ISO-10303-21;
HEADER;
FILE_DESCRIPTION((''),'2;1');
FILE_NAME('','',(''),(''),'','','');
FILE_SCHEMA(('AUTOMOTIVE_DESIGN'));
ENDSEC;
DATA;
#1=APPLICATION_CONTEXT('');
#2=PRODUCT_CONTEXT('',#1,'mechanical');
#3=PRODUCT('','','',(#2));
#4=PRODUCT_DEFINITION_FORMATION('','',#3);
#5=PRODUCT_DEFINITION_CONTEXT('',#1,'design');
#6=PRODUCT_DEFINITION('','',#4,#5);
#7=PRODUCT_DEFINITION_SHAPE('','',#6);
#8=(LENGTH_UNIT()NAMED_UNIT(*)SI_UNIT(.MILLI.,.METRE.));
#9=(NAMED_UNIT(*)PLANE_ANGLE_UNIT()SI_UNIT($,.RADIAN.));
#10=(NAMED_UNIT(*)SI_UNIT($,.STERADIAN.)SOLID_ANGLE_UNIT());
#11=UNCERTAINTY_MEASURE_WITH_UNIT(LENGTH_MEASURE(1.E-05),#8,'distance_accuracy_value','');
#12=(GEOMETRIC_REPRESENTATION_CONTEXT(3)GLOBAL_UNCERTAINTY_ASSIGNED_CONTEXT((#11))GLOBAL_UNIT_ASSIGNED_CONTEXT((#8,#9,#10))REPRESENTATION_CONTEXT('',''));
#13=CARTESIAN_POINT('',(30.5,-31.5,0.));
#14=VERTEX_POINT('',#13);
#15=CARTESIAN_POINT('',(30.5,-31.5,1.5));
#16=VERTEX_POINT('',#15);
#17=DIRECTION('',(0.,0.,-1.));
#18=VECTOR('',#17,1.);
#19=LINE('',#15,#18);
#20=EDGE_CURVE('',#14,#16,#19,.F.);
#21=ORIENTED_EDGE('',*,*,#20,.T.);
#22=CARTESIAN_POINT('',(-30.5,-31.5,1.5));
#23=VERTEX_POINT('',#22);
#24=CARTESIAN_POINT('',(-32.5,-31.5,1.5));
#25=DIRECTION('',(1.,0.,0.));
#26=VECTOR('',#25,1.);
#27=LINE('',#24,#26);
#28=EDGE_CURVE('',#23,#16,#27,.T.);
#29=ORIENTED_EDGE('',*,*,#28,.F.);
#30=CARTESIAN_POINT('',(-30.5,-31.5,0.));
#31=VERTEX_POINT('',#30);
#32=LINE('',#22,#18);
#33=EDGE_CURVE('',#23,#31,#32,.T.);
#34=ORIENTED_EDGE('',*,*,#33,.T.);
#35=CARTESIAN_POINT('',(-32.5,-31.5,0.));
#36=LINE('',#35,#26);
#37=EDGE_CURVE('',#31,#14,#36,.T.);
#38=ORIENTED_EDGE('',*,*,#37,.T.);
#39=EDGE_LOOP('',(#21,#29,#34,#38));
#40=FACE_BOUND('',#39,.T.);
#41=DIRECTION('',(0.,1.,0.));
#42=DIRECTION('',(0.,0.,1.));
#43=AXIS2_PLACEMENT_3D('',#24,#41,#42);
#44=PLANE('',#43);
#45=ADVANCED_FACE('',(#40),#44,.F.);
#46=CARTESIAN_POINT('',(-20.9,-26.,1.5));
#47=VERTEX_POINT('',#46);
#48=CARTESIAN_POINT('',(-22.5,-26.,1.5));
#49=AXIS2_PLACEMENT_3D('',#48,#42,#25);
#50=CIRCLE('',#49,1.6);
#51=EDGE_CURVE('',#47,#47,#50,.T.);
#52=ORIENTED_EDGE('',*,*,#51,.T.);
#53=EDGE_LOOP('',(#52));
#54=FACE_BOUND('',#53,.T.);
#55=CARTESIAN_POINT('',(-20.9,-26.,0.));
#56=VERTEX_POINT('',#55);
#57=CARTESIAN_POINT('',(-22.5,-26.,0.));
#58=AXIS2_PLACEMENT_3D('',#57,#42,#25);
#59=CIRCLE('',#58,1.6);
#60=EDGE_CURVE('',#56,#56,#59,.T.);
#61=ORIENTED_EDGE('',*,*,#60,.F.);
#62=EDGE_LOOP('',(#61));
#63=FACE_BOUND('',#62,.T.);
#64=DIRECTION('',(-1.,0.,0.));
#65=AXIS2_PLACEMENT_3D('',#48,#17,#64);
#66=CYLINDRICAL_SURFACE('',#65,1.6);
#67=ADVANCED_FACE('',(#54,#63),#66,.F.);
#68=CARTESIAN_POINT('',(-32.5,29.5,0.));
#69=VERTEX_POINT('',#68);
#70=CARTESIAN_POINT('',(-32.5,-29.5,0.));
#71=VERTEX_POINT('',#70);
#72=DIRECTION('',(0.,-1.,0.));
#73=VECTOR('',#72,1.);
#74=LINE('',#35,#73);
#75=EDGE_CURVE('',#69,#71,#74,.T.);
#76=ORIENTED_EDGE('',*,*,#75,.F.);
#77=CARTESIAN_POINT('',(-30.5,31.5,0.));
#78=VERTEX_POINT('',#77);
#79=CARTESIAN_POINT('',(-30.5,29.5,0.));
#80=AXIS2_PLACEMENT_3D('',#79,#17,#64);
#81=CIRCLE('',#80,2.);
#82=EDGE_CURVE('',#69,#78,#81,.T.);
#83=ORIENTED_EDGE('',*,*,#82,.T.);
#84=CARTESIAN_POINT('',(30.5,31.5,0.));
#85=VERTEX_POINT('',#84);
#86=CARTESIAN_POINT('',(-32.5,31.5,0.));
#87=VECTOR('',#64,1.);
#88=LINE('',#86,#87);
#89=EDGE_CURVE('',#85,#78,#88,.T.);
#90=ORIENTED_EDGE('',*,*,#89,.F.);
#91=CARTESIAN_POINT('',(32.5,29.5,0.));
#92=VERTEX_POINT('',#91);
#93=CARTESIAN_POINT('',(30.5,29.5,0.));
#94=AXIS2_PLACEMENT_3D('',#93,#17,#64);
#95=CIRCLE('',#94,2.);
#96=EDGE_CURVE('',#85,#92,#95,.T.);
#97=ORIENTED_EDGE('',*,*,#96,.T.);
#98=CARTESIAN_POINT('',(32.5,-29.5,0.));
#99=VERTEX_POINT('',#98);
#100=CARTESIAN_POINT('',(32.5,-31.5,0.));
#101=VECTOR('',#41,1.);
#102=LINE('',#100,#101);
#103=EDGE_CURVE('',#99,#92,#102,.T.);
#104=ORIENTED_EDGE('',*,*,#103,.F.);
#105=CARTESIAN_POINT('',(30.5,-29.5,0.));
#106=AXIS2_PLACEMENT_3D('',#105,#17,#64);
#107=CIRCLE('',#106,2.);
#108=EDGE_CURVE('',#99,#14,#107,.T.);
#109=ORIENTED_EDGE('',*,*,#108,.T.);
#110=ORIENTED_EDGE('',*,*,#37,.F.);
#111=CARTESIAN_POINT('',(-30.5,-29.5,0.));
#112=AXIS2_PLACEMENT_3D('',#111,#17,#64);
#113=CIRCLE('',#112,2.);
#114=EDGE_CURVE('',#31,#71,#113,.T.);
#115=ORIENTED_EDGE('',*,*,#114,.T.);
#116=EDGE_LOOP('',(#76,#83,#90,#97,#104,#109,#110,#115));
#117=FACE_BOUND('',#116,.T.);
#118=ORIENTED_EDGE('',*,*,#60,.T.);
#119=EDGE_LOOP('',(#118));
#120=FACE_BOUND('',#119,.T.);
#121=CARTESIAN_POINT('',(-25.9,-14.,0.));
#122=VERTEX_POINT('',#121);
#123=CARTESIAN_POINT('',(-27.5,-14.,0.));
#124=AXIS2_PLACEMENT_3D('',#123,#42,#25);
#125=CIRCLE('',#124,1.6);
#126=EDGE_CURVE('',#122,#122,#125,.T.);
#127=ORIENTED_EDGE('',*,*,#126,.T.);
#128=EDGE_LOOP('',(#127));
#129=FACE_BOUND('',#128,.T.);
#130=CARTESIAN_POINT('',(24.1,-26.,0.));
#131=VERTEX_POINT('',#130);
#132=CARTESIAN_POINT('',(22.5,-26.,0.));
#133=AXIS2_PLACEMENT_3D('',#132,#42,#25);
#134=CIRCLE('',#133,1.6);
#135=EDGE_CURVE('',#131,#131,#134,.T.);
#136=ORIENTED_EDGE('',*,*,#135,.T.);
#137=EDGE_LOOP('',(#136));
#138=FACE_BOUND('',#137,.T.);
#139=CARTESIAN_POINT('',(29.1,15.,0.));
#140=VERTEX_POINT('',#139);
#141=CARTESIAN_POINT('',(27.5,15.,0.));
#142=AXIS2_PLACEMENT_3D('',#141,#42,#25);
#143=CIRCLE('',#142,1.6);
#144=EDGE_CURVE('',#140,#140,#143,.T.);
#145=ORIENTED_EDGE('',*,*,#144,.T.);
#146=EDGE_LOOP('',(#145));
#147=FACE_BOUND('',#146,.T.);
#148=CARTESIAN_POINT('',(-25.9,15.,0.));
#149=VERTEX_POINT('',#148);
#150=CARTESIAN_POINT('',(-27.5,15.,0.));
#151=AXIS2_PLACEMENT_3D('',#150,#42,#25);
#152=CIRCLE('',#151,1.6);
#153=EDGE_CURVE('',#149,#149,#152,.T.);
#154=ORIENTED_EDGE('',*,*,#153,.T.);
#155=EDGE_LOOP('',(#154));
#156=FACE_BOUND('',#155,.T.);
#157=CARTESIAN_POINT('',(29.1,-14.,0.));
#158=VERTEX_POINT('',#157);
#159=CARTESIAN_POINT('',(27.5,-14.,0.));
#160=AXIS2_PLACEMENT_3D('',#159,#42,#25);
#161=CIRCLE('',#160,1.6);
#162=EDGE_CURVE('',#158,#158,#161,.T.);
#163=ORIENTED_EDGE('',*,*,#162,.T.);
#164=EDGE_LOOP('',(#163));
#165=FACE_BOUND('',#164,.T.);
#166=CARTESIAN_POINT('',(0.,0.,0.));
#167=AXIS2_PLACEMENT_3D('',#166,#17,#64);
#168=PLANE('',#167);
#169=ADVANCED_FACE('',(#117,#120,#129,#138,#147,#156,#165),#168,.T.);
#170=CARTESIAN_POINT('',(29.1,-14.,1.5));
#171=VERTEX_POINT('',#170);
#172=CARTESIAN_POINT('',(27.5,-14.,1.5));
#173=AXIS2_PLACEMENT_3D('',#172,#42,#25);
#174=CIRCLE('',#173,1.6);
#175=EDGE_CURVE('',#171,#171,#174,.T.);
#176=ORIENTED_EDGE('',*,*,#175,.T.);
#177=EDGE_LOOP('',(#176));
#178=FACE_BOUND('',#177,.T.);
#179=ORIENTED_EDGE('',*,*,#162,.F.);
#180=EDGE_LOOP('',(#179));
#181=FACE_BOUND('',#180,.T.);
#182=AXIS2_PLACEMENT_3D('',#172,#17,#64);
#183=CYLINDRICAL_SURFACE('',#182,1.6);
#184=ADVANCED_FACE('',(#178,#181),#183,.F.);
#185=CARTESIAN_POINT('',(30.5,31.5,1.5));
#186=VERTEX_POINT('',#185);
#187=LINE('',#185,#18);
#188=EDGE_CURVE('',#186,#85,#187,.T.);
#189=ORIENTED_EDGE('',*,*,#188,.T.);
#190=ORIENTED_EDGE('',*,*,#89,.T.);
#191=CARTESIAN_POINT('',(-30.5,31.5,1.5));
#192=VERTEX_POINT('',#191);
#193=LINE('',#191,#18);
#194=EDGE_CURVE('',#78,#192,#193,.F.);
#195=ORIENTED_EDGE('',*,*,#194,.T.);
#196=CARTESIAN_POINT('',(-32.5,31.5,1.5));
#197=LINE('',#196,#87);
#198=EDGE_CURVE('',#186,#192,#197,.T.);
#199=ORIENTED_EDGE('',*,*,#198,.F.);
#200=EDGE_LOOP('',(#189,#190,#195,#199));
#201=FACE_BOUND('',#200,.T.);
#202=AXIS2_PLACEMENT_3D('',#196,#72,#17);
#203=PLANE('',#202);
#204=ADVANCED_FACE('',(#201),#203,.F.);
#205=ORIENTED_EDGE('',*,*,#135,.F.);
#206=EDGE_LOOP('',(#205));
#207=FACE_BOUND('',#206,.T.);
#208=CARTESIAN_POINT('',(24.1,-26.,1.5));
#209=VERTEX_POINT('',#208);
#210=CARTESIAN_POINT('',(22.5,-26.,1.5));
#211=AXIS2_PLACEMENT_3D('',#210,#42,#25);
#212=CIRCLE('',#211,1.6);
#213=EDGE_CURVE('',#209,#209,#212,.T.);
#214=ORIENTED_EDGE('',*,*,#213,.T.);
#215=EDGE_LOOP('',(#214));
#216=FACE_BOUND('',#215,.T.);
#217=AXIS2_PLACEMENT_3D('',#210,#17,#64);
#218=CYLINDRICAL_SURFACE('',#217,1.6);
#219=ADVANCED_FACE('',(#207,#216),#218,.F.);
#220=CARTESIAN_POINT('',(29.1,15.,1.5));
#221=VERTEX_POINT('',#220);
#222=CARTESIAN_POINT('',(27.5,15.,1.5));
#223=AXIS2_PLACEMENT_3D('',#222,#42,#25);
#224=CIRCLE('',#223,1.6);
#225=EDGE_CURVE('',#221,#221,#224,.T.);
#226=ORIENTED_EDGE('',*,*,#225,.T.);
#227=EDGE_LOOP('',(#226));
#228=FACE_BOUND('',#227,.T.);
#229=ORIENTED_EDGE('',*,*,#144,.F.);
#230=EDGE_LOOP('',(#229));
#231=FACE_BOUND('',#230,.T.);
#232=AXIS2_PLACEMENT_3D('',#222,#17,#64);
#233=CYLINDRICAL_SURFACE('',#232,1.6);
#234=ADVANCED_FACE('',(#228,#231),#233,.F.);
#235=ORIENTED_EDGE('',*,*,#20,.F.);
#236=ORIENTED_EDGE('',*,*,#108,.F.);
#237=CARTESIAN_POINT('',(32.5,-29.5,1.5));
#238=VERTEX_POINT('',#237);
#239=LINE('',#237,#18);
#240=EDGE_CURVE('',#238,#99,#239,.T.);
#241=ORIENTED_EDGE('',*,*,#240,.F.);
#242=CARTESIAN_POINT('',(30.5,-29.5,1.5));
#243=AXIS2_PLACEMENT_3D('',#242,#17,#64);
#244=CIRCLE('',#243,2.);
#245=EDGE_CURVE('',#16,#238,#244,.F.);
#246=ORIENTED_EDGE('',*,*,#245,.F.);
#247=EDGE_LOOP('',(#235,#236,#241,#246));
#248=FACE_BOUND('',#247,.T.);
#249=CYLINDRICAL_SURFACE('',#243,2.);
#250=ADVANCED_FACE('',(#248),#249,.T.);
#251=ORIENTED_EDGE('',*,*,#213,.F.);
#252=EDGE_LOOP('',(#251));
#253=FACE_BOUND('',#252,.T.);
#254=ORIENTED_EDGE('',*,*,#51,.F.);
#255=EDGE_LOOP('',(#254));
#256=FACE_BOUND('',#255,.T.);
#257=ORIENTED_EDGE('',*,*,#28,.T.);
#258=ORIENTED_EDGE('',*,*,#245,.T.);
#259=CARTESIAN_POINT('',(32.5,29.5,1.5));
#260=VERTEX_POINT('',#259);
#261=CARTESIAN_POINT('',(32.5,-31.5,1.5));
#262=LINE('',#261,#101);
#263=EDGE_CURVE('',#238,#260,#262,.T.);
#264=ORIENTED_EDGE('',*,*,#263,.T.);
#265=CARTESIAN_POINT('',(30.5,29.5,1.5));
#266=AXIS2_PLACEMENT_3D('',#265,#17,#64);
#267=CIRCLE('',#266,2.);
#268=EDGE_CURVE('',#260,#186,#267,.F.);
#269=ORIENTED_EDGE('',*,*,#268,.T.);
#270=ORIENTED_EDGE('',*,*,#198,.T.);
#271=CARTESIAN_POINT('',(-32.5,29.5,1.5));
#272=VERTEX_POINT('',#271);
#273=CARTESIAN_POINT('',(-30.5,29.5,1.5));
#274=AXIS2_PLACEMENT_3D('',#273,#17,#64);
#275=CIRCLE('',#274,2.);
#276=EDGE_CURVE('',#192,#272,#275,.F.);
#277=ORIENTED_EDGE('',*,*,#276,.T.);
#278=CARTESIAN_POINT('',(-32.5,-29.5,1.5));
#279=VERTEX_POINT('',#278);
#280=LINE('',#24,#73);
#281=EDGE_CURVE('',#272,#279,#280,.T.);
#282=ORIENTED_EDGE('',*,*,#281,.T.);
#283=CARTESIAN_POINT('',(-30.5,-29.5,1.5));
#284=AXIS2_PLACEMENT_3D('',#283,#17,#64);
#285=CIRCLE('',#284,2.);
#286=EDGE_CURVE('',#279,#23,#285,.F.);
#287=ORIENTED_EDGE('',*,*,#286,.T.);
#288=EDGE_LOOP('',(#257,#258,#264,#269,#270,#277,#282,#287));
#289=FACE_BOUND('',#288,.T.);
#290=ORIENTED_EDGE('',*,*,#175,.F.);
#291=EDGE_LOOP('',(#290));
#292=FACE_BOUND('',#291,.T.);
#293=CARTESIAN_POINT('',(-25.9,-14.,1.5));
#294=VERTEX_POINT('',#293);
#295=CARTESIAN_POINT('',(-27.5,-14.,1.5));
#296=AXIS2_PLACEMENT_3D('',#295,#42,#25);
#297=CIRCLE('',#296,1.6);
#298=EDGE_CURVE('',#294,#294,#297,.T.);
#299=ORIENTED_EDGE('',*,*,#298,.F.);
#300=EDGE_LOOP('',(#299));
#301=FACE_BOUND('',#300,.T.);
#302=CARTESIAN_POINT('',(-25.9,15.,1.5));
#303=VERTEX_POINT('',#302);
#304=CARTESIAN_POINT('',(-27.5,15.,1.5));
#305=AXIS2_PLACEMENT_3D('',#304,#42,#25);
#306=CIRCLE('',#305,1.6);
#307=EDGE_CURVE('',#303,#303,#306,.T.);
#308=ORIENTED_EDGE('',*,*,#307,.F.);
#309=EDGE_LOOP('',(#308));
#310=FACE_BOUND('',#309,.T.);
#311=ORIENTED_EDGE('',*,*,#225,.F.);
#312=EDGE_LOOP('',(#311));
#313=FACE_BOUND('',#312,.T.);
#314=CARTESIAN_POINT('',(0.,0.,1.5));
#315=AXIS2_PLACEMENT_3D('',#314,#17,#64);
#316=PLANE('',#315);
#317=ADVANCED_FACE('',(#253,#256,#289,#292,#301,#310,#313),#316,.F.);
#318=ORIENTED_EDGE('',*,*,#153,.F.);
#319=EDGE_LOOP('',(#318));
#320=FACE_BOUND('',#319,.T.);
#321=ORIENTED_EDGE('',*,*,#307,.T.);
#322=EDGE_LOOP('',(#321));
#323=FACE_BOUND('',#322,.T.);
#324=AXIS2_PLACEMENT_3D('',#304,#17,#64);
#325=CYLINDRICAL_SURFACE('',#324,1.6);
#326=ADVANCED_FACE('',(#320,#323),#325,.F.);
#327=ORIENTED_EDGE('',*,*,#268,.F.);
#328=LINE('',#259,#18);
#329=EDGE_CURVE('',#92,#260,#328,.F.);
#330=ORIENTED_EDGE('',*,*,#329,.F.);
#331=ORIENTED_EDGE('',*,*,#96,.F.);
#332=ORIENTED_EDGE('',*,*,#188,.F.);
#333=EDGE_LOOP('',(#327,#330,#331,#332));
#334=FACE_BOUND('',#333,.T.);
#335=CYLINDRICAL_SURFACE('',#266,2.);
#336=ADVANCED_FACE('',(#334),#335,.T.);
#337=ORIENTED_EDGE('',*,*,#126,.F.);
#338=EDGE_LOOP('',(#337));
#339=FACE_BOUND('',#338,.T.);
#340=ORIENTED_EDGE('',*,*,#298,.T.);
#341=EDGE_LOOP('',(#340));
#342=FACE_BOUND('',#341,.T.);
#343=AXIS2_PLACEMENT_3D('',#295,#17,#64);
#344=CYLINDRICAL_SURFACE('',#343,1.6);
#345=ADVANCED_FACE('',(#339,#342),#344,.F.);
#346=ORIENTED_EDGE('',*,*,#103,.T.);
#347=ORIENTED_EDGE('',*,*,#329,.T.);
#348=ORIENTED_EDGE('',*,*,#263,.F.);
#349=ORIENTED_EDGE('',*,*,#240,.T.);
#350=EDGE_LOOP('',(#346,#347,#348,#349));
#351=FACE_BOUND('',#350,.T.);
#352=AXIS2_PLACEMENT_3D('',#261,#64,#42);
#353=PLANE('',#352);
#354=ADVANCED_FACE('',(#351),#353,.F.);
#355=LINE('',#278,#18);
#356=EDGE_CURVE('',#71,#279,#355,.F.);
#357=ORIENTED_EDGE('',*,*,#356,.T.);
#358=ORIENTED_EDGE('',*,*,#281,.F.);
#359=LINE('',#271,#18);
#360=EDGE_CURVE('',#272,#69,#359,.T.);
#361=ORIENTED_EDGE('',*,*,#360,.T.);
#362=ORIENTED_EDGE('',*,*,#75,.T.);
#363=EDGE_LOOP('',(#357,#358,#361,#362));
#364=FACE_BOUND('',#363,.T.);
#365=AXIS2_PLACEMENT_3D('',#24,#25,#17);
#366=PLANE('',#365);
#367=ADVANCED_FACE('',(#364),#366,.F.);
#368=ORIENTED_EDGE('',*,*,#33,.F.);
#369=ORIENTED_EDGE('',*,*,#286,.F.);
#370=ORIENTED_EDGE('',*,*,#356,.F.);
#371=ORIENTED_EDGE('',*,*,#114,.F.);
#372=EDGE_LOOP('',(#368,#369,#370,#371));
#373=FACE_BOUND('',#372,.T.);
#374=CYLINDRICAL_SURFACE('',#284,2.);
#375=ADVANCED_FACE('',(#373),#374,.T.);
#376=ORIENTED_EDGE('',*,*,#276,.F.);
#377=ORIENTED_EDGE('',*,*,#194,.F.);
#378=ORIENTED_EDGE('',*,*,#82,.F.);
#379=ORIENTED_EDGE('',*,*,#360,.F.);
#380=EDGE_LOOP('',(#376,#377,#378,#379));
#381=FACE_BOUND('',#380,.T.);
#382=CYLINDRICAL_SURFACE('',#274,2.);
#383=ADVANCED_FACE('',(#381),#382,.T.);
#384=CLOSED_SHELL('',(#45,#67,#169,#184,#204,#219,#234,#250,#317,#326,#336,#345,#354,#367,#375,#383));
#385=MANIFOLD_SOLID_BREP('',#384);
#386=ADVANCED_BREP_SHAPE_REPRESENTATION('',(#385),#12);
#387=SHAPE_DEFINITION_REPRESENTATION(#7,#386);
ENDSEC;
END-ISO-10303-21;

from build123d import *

# Parameters (mm, degrees)
SKETCH_2_W      = 65
SKETCH_2_H      = 63
SKETCH_2_R      = 1.6
EXTRUDE_1_DEPTH = 1.5
FILLET_1_R      = 2


with BuildPart() as part:
    # 草图2 → 凸台-拉伸1 (new body)
    with BuildSketch(Plane.XY):
        Rectangle(SKETCH_2_W, SKETCH_2_H)
        with Locations((-27.5, -14)):
            Circle(SKETCH_2_R, mode=Mode.SUBTRACT)
        with Locations((-27.5, 15)):
            Circle(SKETCH_2_R, mode=Mode.SUBTRACT)
        with Locations((27.5, 15)):
            Circle(SKETCH_2_R, mode=Mode.SUBTRACT)
        with Locations((27.5, -14)):
            Circle(SKETCH_2_R, mode=Mode.SUBTRACT)
        with Locations((22.5, -26)):
            Circle(SKETCH_2_R, mode=Mode.SUBTRACT)
        with Locations((-22.5, -26)):
            Circle(SKETCH_2_R, mode=Mode.SUBTRACT)
    extrude(amount=EXTRUDE_1_DEPTH)

    # 圆角1
    fillet_1_edges = [part.edges().sort_by_distance(p)[0] for p in [
        (32.5, -31.5, 0.75),
        (-32.5, -31.5, 0.75),
        (-32.5, 31.5, 0.75),
        (32.5, 31.5, 0.75),
    ]]
    fillet(fillet_1_edges, radius=FILLET_1_R)


solid = part.part
